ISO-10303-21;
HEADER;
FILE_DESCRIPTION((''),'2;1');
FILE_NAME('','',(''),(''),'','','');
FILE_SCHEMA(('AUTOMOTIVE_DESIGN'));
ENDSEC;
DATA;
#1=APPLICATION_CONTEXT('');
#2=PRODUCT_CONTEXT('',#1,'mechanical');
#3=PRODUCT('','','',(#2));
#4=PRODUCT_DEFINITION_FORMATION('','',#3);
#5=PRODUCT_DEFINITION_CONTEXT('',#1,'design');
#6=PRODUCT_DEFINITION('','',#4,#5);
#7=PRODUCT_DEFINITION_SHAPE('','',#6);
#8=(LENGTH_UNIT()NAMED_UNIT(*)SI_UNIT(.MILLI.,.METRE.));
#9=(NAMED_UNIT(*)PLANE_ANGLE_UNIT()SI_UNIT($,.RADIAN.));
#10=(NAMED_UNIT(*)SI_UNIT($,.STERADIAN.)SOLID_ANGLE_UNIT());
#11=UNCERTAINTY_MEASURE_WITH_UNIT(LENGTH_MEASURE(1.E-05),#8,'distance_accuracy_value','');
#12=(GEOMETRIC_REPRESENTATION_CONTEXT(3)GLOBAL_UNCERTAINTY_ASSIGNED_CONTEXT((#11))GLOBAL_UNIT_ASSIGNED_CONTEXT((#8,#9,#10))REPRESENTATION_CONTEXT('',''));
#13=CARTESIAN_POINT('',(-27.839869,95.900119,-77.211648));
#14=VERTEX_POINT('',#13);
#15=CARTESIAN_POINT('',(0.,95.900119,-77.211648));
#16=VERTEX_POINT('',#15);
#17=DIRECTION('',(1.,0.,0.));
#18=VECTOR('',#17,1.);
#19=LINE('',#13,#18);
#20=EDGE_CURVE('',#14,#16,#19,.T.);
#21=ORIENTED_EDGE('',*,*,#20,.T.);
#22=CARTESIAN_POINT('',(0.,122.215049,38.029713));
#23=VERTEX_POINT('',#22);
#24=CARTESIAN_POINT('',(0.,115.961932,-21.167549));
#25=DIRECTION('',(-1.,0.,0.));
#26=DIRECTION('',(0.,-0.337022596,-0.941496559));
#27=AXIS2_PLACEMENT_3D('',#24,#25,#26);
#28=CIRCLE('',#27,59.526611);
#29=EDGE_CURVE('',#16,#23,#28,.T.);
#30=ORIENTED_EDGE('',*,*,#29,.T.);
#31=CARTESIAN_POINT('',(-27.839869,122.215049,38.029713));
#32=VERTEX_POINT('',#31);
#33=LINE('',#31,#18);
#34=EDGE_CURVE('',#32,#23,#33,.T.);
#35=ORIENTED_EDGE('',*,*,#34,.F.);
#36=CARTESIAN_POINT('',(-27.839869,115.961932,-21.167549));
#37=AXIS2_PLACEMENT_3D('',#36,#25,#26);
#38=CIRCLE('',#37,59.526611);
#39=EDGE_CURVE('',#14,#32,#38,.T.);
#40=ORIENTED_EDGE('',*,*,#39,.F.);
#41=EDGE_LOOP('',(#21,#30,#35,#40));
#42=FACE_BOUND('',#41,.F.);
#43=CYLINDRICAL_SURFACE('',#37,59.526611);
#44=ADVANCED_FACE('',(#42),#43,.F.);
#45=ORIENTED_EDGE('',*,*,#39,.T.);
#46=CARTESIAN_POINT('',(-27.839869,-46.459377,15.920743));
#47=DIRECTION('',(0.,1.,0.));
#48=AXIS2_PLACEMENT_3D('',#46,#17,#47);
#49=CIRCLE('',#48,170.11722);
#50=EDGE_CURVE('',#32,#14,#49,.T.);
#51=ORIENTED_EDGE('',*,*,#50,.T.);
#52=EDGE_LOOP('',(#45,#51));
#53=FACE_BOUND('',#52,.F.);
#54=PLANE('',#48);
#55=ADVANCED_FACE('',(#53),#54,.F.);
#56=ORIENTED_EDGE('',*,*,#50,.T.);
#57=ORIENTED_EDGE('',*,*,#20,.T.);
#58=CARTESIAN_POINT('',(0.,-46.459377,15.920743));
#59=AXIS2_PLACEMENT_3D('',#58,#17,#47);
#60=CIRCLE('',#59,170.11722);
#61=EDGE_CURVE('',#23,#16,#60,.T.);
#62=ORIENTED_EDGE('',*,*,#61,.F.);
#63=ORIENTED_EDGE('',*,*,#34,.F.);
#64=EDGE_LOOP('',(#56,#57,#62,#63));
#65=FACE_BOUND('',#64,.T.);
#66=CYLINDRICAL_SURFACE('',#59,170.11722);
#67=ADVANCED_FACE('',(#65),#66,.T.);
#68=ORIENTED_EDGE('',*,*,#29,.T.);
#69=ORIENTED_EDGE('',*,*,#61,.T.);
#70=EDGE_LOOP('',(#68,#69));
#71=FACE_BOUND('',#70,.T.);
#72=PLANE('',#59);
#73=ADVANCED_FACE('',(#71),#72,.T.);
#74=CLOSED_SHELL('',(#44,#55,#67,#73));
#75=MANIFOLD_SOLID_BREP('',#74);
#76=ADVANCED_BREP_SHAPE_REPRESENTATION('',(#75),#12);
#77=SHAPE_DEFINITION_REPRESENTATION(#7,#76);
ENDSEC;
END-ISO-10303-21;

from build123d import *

# Parameters (mm, degrees)
F0_R     = 170.1172198456
F1_DEPTH = 27.8398692608
F3_DEPTH = 74.2204003036


with BuildPart() as f1:
    # F0 (on Right) → F1 (new body)
    with BuildSketch(Plane.YZ):
        with Locations((-46.459376812, 15.9207433462)):
            Circle(F0_R)
    extrude(amount=-F1_DEPTH)

    # F2 (on face) → F3 (cut)
    with BuildSketch(Plane(origin=(-27.8398692608, 0, 0), x_dir=(0, -1, 0), z_dir=(-1, 0, 0))):
        with BuildLine():
            ThreePointArc((-122.2150490302, 38.0297133543), (-119.3889514859, -21.9500962113), (-95.9001192193, -77.2116483214))
            ThreePointArc((-95.9001192193, -77.2116483214), (-57.9290716898, -7.9159647198), (-122.2150490302, 38.0297133543))
        make_face()
    extrude(amount=-F3_DEPTH, mode=Mode.SUBTRACT)


solid = f1.part
